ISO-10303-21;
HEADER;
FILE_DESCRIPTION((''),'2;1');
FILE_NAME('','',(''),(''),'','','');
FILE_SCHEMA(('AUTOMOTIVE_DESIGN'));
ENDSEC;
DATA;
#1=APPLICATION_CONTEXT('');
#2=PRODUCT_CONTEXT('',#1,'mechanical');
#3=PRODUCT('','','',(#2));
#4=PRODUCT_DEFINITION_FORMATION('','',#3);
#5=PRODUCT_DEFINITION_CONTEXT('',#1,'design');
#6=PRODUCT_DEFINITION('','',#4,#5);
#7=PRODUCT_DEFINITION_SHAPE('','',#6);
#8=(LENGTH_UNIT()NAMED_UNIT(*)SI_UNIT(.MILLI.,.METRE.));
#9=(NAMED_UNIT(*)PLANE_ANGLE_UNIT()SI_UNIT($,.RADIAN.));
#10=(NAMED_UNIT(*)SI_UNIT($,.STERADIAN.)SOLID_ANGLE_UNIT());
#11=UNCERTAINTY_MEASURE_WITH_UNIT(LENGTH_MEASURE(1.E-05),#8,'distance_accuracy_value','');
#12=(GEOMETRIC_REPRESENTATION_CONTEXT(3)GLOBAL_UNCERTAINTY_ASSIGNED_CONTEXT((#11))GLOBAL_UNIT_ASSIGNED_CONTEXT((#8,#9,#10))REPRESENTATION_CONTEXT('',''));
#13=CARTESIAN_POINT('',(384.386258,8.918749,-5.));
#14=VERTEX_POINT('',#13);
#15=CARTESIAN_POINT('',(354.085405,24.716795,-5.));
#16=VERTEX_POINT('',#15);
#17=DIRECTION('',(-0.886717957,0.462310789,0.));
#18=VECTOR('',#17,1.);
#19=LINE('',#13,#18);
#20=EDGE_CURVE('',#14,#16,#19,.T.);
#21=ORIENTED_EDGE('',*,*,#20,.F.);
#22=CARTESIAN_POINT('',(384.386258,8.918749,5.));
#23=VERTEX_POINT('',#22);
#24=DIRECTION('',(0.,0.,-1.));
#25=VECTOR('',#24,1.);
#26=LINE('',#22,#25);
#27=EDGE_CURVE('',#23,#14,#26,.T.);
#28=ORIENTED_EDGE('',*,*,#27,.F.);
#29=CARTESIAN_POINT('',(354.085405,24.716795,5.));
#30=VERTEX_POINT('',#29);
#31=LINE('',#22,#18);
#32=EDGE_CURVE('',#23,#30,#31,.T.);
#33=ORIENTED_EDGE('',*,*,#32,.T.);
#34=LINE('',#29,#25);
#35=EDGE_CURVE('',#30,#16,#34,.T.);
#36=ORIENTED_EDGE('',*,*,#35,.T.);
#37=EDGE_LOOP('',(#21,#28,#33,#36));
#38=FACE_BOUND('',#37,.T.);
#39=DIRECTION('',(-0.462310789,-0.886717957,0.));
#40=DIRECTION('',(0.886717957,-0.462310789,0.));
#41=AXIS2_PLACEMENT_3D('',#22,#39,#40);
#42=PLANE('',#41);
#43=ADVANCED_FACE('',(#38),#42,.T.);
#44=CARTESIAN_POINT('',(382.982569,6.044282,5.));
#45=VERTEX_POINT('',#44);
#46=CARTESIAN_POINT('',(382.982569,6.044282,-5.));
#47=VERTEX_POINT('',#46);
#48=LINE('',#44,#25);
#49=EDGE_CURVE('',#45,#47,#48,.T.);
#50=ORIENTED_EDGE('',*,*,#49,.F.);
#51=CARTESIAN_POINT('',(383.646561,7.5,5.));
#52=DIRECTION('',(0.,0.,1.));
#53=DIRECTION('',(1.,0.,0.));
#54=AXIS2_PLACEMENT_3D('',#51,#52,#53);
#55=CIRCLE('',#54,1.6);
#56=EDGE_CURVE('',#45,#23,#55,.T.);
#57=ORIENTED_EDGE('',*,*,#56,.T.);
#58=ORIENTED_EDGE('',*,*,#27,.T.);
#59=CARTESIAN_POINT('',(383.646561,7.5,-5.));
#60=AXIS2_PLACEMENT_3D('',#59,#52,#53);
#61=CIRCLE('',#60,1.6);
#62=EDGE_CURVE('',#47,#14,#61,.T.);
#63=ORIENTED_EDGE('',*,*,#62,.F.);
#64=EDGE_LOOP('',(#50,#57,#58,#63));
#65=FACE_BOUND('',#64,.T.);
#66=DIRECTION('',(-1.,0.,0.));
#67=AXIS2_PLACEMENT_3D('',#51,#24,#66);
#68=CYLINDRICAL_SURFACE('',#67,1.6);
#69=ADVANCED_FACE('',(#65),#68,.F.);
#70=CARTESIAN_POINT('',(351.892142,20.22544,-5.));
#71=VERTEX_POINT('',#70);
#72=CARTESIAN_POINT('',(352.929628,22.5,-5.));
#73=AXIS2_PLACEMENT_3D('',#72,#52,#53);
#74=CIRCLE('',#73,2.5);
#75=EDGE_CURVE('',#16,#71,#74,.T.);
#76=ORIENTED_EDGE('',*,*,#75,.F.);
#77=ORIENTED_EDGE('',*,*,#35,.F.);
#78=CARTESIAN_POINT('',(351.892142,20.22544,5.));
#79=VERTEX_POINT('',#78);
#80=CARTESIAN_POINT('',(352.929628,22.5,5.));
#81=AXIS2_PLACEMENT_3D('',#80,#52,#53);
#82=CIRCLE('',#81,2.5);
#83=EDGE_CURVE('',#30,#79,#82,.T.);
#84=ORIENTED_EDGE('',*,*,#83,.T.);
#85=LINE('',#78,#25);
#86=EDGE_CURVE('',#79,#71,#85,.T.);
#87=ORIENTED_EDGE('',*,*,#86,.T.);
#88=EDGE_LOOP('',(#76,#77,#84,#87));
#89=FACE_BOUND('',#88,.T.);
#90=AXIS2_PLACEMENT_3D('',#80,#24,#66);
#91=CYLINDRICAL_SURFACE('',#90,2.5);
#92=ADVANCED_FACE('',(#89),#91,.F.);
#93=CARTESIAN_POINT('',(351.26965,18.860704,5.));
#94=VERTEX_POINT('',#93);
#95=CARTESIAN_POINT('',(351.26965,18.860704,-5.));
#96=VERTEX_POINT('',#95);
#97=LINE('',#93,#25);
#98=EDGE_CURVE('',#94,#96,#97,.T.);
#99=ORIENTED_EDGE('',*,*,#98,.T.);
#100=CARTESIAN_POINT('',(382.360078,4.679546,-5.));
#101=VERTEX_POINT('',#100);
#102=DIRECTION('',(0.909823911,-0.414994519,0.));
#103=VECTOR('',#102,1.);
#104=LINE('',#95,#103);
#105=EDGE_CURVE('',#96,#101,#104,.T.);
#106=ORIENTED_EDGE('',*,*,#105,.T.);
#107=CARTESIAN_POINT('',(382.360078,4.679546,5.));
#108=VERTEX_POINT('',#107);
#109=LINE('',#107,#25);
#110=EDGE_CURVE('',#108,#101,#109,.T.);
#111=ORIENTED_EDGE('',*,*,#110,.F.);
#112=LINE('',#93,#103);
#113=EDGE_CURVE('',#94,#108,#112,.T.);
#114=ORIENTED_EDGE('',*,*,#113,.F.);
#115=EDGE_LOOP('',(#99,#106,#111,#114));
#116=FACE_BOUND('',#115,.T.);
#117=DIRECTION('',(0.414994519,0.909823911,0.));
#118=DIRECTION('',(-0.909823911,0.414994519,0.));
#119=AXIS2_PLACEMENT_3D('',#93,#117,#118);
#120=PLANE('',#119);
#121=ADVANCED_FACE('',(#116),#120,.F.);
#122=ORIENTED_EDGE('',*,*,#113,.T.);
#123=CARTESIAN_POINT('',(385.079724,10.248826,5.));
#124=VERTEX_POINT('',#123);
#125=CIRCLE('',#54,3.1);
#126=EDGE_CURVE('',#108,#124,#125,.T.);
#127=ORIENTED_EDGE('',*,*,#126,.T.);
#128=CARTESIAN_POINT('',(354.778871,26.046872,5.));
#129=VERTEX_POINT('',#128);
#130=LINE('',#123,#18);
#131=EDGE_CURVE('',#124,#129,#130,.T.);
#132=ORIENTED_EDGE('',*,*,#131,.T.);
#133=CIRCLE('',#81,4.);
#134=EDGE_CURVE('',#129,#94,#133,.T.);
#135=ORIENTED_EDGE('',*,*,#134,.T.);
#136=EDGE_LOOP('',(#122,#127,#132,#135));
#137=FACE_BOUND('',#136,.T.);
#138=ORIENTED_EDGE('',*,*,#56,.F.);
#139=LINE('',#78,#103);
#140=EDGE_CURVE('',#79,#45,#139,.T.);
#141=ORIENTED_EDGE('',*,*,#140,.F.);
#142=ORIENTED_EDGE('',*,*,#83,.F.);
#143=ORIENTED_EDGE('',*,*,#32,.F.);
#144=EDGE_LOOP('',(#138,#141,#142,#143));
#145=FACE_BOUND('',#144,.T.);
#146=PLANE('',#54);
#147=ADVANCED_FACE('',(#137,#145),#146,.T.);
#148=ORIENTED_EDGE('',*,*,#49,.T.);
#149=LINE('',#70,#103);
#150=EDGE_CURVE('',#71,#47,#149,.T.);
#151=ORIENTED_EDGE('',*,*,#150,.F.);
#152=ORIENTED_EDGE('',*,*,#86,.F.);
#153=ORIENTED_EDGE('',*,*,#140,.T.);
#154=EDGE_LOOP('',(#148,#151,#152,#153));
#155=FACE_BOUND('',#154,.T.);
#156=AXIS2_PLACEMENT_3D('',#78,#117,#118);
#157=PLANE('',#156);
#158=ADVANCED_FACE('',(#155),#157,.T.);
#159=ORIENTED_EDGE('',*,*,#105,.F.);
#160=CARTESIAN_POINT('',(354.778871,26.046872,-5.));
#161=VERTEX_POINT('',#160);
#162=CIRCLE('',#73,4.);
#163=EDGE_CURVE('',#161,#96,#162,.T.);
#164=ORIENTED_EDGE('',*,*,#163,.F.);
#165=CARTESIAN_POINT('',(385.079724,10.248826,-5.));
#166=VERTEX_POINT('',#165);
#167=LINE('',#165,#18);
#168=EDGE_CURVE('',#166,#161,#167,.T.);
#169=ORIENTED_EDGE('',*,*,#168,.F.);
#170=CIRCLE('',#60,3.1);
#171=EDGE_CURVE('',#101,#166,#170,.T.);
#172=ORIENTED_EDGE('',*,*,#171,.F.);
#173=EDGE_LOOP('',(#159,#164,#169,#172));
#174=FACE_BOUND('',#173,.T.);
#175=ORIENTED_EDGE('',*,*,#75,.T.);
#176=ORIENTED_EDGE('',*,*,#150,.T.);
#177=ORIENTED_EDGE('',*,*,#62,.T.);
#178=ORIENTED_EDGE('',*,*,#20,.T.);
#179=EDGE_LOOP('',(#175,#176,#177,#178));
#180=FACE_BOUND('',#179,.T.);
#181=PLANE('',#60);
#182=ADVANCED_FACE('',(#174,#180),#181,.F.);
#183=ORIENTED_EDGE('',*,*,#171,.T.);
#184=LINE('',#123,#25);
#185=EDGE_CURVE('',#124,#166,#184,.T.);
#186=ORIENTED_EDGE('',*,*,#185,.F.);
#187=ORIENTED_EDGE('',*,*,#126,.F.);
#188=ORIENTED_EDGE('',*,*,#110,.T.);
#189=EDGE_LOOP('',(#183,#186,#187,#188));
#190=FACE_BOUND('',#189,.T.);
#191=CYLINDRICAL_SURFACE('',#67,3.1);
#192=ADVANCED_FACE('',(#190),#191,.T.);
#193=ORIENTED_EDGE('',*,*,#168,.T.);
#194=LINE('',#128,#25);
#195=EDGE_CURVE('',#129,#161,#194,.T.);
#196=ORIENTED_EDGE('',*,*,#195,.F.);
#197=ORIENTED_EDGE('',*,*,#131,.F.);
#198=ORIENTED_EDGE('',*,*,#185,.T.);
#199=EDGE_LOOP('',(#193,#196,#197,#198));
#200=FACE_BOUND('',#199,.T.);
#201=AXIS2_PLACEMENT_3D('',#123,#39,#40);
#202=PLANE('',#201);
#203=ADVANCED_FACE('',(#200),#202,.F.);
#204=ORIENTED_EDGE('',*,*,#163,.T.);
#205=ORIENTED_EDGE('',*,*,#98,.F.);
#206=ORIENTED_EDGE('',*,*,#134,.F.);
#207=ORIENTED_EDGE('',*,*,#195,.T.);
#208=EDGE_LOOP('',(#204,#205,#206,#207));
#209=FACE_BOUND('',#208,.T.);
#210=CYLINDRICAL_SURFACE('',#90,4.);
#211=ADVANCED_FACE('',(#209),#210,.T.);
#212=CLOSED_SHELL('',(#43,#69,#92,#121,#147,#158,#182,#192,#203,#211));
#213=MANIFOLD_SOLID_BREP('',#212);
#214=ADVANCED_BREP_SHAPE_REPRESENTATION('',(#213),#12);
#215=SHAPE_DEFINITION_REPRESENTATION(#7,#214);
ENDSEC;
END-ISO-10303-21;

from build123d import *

# Parameters (mm, degrees)
EXTRUDE_THIN1_DEPTH = 5


with BuildPart() as part:
    # Sketch2 → Extrude-Thin1 (new, symmetric)
    with BuildSketch(Plane.XY):
        with BuildLine():
            Line((351.269649849, 18.860704355), (382.360077524, 4.679545875))
            ThreePointArc((382.360077524, 4.679545875), (386.432166055, 6.139705228), (385.079723978, 10.248825665))
            Line((385.079723978, 10.248825665), (354.778871081, 26.046871826))
            ThreePointArc((354.778871081, 26.046871826), (349.335298217, 24.255219061), (351.269649849, 18.860704355))
        make_face()
        with BuildLine():
            Line((351.892141628, 20.225440222), (382.982569302, 6.044281742))
            ThreePointArc((382.982569302, 6.044281742), (385.084292415, 6.797912376), (384.386257794, 8.91874873))
            Line((384.386257794, 8.91874873), (354.085404897, 24.716794891))
            ThreePointArc((354.085404897, 24.716794891), (350.683171858, 23.597011913), (351.892141628, 20.225440222))
        make_face(mode=Mode.SUBTRACT)
    extrude(amount=EXTRUDE_THIN1_DEPTH, both=True)


solid = part.part
